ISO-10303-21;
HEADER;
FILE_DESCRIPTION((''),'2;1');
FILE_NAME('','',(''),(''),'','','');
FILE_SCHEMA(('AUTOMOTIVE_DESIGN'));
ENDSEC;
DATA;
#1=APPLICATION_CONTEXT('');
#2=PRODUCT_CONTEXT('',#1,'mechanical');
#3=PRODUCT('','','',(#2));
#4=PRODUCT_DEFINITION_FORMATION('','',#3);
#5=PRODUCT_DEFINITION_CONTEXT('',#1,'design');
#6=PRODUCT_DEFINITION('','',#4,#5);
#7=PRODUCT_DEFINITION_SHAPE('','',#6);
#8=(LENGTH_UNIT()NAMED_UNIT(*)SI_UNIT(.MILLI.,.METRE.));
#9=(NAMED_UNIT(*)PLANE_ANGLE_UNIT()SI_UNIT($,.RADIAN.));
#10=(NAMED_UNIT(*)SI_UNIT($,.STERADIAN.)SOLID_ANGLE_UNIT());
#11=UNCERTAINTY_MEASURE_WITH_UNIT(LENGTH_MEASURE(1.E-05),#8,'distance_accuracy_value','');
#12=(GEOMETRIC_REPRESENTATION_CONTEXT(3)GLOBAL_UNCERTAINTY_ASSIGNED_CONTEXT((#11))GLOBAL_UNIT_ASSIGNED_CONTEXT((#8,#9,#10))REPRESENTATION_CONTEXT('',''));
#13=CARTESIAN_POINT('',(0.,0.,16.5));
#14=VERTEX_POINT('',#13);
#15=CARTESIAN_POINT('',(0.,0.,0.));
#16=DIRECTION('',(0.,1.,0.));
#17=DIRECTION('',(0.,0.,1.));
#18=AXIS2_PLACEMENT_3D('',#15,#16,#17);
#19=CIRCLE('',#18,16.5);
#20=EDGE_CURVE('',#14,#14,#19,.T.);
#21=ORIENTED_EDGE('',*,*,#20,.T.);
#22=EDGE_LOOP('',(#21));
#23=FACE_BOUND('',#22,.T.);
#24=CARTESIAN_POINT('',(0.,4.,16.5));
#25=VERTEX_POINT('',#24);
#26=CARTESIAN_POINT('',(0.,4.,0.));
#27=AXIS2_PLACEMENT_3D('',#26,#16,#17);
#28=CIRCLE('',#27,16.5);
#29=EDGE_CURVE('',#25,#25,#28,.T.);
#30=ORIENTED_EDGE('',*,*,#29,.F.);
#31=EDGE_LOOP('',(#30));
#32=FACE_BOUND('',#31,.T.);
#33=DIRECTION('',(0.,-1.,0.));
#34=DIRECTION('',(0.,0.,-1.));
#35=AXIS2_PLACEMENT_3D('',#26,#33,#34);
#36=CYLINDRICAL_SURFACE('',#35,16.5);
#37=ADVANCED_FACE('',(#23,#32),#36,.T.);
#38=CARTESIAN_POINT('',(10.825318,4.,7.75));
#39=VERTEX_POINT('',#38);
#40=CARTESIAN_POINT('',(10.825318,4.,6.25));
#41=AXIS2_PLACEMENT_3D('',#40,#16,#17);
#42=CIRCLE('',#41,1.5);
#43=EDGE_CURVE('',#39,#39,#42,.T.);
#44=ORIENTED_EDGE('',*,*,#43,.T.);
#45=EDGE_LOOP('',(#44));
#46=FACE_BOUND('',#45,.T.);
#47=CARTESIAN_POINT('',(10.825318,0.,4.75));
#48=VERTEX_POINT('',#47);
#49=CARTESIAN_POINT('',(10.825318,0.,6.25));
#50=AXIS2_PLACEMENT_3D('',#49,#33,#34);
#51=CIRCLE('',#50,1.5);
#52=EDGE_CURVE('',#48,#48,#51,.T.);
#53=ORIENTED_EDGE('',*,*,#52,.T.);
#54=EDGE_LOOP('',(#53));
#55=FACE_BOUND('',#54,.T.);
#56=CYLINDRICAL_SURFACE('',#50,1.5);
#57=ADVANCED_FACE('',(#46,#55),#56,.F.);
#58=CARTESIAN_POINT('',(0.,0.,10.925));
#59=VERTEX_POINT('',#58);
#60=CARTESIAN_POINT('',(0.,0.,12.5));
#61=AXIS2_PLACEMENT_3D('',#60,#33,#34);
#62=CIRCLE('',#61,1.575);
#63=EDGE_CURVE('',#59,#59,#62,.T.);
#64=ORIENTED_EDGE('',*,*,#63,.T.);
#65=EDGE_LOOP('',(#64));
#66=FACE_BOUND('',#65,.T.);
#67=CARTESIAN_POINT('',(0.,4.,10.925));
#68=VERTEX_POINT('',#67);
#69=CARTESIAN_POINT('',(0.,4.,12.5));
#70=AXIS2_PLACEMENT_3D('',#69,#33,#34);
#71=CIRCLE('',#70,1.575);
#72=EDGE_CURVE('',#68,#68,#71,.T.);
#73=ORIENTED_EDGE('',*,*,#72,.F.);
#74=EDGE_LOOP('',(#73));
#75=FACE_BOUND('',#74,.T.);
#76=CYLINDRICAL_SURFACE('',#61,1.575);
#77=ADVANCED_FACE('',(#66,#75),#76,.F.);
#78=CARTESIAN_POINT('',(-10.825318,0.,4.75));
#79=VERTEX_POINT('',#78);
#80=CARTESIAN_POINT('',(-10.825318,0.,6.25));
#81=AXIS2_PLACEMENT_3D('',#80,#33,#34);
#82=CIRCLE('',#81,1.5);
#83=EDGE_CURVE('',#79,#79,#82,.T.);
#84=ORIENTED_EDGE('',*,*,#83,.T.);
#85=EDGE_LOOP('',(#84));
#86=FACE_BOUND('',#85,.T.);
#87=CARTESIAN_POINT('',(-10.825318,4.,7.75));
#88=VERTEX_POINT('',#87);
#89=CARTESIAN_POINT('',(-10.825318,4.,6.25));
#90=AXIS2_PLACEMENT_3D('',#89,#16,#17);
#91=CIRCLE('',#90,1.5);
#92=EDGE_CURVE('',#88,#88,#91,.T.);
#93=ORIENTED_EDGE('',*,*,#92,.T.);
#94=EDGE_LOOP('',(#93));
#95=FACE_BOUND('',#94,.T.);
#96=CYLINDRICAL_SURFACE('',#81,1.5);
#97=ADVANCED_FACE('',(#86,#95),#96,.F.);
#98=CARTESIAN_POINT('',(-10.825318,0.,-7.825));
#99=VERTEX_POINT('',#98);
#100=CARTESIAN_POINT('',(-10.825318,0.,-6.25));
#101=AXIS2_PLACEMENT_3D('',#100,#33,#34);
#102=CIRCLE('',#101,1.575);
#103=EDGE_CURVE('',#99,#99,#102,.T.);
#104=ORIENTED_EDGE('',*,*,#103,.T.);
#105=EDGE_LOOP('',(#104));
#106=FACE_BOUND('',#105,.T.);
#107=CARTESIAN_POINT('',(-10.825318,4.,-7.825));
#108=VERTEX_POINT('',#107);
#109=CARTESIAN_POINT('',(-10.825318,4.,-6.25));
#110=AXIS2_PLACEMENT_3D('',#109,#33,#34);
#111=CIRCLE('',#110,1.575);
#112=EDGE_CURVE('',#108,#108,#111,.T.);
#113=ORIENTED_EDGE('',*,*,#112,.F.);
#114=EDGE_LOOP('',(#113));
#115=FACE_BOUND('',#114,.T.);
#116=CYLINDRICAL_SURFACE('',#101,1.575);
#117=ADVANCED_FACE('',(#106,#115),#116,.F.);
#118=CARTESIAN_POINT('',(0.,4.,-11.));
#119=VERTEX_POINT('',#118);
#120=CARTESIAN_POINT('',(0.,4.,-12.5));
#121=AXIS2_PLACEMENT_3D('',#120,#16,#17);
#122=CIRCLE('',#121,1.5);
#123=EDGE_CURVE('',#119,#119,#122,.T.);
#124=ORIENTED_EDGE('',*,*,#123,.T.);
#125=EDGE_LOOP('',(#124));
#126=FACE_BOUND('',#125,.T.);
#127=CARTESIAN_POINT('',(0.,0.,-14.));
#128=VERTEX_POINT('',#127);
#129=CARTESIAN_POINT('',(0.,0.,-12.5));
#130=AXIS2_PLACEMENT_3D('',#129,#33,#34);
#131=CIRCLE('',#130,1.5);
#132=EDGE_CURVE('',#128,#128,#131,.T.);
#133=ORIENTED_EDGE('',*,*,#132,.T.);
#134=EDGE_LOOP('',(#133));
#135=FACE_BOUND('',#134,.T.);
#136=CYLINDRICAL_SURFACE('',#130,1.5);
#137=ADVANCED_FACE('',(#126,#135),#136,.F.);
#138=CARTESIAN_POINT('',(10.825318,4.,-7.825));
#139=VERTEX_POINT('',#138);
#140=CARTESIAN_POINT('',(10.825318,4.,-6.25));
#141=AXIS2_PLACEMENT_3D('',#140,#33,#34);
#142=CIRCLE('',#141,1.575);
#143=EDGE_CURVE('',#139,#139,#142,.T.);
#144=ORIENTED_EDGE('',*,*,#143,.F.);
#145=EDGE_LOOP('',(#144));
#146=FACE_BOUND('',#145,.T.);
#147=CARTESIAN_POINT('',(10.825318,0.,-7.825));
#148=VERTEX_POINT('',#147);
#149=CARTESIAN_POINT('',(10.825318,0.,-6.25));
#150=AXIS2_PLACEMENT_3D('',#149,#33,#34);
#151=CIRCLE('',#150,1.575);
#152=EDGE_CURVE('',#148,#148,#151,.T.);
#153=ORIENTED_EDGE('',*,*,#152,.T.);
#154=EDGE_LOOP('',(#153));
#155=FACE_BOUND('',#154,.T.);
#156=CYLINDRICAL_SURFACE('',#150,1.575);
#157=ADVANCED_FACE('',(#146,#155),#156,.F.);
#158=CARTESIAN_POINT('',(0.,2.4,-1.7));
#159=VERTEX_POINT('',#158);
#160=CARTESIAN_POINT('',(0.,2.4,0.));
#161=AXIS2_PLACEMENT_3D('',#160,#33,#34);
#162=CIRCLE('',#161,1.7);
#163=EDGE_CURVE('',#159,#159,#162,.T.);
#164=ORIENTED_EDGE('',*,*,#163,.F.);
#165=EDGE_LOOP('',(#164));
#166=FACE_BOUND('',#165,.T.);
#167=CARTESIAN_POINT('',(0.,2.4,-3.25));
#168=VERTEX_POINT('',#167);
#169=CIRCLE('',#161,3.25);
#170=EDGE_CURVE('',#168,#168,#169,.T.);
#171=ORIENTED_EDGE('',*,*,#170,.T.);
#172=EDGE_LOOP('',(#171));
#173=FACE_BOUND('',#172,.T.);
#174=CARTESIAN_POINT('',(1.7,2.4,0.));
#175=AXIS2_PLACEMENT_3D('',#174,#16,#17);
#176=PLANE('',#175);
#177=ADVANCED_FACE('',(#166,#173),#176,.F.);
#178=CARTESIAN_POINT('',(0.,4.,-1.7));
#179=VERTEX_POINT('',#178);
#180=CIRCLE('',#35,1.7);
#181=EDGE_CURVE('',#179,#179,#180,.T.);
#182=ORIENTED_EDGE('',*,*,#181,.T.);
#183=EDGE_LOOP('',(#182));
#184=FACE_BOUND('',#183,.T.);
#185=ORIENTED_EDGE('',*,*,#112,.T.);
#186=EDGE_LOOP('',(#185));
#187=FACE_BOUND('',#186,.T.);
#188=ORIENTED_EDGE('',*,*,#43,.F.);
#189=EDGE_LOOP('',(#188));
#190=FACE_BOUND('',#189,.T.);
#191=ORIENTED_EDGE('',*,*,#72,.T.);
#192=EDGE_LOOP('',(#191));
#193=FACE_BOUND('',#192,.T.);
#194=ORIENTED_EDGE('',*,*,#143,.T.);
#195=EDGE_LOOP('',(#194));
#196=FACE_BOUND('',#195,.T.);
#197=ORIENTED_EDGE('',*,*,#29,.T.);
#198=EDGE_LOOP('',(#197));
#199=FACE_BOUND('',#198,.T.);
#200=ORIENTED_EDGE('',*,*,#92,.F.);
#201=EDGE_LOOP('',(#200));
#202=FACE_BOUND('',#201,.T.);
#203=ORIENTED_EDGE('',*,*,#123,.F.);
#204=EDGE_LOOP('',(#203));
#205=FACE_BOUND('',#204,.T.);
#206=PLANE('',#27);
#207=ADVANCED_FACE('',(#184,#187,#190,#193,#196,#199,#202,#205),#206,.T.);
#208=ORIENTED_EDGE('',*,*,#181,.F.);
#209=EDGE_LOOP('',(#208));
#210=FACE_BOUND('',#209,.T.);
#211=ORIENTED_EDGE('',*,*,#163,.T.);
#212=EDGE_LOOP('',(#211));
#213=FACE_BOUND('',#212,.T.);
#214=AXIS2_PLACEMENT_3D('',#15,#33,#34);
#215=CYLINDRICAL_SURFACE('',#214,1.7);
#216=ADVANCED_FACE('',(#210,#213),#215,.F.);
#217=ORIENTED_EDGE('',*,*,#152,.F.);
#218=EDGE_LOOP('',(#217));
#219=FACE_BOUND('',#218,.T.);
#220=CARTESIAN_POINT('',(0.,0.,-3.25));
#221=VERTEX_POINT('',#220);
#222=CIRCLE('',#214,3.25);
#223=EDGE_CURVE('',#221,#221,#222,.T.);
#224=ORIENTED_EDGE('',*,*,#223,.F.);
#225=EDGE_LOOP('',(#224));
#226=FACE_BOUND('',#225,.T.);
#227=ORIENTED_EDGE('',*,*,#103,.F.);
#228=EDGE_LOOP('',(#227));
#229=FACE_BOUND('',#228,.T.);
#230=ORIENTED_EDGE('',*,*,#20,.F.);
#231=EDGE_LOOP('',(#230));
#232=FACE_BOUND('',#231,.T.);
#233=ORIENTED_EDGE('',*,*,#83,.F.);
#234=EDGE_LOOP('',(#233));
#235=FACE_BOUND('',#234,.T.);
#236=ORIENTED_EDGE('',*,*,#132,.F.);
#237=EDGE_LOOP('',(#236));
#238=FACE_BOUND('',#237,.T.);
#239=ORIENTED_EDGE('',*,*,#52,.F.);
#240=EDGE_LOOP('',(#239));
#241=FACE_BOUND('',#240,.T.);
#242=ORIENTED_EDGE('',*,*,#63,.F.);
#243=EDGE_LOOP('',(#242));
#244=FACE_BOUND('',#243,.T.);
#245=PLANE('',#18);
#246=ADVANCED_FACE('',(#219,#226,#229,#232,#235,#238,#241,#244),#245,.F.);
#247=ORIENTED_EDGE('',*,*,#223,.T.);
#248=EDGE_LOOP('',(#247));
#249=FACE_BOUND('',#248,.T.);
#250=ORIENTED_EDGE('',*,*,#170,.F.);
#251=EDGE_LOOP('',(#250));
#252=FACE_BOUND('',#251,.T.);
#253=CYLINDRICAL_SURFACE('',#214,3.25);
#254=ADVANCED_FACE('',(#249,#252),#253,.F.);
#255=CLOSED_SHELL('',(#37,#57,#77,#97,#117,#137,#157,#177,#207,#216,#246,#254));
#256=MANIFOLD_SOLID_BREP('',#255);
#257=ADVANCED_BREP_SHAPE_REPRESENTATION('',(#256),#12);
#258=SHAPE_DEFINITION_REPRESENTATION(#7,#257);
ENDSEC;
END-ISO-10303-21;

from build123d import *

# Parameters (mm, degrees)
SKETCH1_R                                            = 16.5
BOSS_EXTRUDE1_DEPTH                                  = 4
CBORE_FOR_M3_HEX_SOCKET_THIN_HEAD_CAP_SC_D           = 3.4
CBORE_FOR_M3_HEX_SOCKET_THIN_HEAD_CAP_SC_CBORE_D     = 6.5
CBORE_FOR_M3_HEX_SOCKET_THIN_HEAD_CAP_SC_CBORE_DEPTH = 2.4
F_3_0MM_DOWEL_HOLE1_D                                = 3
F_3_0MM_DOWEL_HOLE1_DEPTH                            = 6
F_3_0MM_DOWEL_HOLE1_TIP                              = 0.901290929
TAP_DRILL_FOR_M3_HELICOIL1_D                         = 3.15


with BuildPart() as part:
    # Sketch1 → Boss-Extrude1 (new body)
    with BuildSketch(Plane(origin=(0, 0, 0), x_dir=(1, 0, 0), z_dir=(0, 1, 0))):
        with Locations(Location((0, 0, 0), (0, 0, 270))):
            Circle(SKETCH1_R)
    extrude(amount=BOSS_EXTRUDE1_DEPTH)

    # CBORE for M3 Hex Socket Thin Head Cap Screw1 (through all)
    with Locations(Plane.XZ):
        with Locations((0, 0)):
            CounterBoreHole(CBORE_FOR_M3_HEX_SOCKET_THIN_HEAD_CAP_SC_D / 2, CBORE_FOR_M3_HEX_SOCKET_THIN_HEAD_CAP_SC_CBORE_D / 2, CBORE_FOR_M3_HEX_SOCKET_THIN_HEAD_CAP_SC_CBORE_DEPTH)

    # Ø3.0mm Dowel Hole1
    with Locations(Plane(origin=(0, 0, 0), x_dir=(-1, 0, 0), z_dir=(0, -1, 0))):
        with Locations((-10.825317547, -6.25), (0, 12.5), (10.825317547, -6.25)):
            Hole(F_3_0MM_DOWEL_HOLE1_D / 2, depth=F_3_0MM_DOWEL_HOLE1_DEPTH)
            with Locations((0, 0, -(F_3_0MM_DOWEL_HOLE1_DEPTH + F_3_0MM_DOWEL_HOLE1_TIP / 2))):  # 118° drill point
                Cone(0, F_3_0MM_DOWEL_HOLE1_D / 2, F_3_0MM_DOWEL_HOLE1_TIP, mode=Mode.SUBTRACT)

    # Tap Drill for M3 Helicoil1 (through all)
    with Locations(Plane(origin=(0, 0, 0), x_dir=(-1, 0, 0), z_dir=(0, -1, 0))):
        with Locations((10.825317547, 6.25), (0, -12.5), (-10.825317547, 6.25)):
            Hole(TAP_DRILL_FOR_M3_HELICOIL1_D / 2)


solid = part.part
